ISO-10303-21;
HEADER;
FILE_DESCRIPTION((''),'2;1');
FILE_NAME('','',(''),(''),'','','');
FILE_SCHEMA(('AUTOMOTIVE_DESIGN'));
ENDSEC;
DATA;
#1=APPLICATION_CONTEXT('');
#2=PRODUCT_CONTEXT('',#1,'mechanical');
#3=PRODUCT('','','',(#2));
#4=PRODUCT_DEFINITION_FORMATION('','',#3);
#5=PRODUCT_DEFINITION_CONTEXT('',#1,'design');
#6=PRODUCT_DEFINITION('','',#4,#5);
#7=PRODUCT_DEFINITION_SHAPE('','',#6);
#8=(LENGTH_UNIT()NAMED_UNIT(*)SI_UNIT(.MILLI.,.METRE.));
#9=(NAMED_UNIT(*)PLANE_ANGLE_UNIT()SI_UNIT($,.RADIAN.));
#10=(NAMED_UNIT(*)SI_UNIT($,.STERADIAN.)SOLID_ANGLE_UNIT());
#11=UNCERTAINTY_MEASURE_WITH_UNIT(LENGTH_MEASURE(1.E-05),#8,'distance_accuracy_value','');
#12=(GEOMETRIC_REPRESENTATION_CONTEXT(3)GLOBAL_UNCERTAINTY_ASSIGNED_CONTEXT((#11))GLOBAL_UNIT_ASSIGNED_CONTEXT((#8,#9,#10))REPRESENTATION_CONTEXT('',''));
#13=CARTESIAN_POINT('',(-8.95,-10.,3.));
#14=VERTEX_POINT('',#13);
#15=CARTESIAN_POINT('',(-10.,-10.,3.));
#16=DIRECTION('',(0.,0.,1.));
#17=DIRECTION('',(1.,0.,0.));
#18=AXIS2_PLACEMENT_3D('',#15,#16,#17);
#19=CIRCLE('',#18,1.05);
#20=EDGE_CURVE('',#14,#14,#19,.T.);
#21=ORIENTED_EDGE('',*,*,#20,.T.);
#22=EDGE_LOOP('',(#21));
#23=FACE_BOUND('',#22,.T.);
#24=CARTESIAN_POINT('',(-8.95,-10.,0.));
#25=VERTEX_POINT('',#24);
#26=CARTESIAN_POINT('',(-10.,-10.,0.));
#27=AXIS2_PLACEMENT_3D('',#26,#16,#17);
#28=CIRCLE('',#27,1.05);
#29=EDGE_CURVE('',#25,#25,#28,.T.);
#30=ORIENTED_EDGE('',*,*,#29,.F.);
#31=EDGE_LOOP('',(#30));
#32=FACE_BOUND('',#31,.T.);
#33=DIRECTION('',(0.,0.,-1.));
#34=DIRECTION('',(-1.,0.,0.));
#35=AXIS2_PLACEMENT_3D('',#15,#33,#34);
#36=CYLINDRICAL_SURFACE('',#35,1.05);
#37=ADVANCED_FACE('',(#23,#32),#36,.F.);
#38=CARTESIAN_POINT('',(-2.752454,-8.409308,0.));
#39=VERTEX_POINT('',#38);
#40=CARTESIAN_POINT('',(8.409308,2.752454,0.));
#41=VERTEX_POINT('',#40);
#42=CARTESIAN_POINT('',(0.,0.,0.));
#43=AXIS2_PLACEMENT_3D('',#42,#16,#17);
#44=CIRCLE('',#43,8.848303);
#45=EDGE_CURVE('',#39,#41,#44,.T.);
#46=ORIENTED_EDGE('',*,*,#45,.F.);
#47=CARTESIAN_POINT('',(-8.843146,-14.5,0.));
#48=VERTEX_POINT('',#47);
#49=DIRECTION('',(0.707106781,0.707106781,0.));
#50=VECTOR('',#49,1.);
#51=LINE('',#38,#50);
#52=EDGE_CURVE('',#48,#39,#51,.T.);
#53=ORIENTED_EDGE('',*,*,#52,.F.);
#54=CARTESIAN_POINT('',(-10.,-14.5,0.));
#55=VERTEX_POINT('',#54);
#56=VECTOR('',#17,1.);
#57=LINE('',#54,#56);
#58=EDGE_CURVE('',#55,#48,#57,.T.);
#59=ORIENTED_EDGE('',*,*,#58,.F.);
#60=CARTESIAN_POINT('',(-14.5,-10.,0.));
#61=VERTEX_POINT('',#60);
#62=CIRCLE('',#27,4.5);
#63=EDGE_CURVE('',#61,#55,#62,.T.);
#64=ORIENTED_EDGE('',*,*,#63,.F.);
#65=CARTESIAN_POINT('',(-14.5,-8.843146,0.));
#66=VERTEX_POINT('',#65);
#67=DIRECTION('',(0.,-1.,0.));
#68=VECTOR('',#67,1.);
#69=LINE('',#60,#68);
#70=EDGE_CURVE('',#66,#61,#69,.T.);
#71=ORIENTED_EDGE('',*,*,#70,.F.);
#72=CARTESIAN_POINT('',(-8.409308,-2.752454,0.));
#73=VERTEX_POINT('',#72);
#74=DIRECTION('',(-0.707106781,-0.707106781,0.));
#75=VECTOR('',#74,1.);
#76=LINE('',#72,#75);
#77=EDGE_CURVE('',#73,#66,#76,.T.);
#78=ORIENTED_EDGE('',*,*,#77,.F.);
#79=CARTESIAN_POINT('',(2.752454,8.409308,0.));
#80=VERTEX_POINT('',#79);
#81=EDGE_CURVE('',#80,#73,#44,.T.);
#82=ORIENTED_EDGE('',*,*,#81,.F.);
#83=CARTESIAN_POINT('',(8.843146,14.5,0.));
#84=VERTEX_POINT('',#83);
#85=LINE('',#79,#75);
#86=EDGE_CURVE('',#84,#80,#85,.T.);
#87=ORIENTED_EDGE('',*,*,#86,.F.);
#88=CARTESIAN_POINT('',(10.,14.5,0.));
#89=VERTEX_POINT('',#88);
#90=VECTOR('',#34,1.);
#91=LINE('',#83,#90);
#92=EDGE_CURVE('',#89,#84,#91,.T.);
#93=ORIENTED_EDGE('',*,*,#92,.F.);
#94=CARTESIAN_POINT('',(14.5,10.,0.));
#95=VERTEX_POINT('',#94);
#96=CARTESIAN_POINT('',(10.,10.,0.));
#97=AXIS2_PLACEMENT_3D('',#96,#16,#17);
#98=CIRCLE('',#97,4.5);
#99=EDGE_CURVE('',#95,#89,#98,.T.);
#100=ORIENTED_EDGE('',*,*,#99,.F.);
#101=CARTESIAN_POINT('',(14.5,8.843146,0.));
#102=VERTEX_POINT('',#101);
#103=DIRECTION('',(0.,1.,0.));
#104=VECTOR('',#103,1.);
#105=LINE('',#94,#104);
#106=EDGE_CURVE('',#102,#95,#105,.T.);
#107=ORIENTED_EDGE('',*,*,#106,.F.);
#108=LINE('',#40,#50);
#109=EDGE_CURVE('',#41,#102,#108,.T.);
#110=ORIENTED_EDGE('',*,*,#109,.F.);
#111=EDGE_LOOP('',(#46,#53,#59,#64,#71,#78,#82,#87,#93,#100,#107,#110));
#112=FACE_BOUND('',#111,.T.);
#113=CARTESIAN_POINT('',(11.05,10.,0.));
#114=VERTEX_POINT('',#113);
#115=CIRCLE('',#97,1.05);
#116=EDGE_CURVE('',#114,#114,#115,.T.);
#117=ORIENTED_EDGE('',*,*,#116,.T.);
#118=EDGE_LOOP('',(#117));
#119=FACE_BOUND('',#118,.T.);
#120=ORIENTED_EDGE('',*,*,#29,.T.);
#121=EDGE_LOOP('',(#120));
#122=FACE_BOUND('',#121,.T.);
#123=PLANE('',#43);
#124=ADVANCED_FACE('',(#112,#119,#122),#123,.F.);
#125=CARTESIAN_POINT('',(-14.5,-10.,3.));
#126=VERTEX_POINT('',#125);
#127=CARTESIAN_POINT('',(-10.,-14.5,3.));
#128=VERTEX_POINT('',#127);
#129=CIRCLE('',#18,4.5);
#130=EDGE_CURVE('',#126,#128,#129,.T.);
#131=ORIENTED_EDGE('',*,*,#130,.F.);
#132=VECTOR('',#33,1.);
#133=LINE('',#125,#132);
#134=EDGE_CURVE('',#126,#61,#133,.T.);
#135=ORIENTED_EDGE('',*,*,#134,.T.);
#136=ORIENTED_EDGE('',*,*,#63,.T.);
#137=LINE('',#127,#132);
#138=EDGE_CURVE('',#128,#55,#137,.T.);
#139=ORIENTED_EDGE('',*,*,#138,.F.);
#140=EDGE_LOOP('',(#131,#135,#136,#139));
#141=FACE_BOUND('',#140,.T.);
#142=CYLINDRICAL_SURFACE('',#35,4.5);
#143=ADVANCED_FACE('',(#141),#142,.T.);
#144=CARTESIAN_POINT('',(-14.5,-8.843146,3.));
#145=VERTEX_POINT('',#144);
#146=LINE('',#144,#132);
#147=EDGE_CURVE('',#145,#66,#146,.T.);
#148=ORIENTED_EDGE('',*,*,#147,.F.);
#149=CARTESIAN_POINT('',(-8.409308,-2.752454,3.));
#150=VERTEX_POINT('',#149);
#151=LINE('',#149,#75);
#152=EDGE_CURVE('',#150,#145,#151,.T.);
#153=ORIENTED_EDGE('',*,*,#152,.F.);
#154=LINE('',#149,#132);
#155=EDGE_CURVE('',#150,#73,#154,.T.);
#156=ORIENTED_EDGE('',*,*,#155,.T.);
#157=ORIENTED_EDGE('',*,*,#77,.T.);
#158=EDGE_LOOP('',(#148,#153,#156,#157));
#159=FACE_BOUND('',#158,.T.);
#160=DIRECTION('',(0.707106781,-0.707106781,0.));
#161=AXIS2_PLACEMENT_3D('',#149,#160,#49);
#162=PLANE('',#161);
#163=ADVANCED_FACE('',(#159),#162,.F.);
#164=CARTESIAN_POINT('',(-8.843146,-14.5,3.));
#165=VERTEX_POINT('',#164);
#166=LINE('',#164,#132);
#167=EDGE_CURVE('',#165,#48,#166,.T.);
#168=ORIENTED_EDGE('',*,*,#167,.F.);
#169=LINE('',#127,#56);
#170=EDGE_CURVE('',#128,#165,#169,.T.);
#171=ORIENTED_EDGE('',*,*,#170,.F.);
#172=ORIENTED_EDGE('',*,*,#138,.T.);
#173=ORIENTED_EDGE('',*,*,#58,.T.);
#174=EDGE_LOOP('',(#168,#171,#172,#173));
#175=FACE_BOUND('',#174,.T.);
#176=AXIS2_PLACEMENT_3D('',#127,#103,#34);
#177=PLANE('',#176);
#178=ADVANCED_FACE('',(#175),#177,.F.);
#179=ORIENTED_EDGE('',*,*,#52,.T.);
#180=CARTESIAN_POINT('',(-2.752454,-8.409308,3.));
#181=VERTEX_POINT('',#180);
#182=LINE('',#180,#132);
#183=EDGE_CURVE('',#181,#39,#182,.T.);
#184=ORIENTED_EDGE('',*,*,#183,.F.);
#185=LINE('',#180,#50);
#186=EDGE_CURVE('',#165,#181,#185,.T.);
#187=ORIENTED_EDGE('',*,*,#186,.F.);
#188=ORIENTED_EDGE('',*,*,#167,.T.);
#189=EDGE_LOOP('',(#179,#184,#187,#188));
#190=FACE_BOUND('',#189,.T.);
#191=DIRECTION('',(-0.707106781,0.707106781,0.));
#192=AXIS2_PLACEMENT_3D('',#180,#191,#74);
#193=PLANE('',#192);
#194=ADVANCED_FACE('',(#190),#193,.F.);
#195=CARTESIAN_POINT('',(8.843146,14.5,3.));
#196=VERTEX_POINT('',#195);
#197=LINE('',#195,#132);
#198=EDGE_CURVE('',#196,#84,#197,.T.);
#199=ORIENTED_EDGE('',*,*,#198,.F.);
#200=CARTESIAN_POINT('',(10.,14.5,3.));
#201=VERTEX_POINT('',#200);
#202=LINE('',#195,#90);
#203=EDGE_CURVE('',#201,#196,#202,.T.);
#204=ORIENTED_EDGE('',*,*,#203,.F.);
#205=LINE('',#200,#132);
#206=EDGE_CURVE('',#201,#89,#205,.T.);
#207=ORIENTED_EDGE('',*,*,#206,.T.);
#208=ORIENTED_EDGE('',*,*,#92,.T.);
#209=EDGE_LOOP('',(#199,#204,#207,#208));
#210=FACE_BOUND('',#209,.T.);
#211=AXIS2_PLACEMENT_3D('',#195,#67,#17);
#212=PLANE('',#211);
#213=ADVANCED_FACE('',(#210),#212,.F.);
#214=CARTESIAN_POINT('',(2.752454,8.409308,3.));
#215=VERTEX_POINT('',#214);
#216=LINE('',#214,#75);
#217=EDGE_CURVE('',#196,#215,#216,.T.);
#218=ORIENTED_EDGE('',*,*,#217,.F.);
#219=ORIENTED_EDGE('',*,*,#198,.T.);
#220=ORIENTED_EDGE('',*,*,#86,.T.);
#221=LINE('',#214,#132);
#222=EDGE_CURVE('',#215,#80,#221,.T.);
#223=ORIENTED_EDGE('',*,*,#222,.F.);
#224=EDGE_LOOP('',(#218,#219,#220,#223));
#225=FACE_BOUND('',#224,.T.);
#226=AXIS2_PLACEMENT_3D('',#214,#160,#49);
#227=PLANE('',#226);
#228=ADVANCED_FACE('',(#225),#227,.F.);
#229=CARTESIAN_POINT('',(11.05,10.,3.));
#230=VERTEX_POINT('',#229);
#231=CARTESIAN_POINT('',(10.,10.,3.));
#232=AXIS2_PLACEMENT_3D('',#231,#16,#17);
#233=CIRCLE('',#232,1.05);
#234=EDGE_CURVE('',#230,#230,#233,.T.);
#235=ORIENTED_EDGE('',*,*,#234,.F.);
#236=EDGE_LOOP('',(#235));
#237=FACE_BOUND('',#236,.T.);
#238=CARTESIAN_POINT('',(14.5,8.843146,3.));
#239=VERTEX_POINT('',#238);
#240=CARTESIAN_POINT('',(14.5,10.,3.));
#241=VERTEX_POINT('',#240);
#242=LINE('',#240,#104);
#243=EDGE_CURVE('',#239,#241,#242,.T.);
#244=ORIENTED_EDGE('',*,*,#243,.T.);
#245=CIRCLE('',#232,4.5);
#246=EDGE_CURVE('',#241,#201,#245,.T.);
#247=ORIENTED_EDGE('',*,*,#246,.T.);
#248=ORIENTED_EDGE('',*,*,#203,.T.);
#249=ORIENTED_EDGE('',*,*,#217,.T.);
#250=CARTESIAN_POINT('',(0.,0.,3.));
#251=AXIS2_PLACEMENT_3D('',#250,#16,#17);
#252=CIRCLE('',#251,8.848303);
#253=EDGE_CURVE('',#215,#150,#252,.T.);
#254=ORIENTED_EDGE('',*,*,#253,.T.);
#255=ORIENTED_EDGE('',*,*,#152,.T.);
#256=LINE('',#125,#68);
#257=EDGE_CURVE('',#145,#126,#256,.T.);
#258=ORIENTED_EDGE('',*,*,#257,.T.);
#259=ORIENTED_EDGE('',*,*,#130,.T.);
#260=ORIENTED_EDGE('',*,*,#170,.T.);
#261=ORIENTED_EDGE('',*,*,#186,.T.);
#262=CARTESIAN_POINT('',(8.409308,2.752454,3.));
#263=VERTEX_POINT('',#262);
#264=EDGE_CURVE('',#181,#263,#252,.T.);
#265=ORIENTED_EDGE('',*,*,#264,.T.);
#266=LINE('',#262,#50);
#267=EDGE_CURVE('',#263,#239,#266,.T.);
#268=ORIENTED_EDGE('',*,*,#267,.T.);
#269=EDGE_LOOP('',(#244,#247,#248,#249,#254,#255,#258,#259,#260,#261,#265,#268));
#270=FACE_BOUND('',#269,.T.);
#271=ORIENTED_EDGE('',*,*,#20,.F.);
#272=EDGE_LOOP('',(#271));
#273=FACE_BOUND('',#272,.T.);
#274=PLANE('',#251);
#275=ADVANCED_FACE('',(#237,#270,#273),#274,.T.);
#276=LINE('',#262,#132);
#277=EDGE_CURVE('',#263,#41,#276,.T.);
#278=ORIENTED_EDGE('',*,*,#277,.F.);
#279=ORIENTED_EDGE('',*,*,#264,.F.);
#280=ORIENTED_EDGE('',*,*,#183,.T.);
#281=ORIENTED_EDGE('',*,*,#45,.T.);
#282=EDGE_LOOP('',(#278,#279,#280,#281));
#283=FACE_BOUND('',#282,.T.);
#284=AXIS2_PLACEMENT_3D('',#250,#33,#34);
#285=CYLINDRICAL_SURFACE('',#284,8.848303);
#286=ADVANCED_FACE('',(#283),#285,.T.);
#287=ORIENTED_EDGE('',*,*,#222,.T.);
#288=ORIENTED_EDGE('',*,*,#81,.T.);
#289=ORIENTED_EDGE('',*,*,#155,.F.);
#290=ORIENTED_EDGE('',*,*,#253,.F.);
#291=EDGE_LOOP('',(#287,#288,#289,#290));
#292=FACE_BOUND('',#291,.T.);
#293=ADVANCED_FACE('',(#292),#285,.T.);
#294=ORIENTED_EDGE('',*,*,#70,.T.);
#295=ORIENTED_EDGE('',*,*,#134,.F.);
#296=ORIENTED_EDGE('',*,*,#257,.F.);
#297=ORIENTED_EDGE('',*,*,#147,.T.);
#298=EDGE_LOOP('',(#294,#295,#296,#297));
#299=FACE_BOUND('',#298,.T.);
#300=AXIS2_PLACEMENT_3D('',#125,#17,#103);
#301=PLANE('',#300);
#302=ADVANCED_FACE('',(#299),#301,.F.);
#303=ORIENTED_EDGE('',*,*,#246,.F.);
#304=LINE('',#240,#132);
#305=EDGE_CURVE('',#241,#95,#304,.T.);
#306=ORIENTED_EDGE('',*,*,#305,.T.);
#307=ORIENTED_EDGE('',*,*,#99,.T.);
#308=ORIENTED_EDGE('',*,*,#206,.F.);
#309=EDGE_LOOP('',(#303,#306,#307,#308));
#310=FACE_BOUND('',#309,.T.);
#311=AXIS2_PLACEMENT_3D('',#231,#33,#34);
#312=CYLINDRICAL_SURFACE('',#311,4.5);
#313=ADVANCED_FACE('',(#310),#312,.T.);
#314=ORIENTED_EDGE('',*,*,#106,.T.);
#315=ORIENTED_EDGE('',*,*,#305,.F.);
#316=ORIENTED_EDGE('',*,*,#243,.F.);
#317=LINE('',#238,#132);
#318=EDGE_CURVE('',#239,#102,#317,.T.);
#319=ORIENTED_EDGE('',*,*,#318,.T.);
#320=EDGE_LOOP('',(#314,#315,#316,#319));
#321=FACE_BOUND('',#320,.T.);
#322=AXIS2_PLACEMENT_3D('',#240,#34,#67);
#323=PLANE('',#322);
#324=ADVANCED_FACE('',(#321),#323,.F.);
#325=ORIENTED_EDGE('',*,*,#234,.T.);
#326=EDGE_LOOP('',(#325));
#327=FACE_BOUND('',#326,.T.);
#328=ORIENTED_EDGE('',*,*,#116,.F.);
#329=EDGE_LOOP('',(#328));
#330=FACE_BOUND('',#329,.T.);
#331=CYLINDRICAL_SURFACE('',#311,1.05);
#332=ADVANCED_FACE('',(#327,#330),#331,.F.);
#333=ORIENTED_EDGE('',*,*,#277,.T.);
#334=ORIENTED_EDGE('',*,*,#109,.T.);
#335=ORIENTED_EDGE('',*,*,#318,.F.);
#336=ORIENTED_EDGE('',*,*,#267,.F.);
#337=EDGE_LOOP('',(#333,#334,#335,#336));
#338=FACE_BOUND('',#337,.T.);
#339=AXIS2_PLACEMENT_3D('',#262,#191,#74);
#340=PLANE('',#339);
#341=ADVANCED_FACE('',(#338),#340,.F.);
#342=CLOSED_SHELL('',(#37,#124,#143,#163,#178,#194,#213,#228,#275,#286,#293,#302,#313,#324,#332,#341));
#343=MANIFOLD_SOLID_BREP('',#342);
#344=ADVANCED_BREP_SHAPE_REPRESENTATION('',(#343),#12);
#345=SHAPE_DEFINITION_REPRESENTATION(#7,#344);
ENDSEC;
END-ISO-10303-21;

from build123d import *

# Parameters (mm, degrees)
SKETCH1_R           = 1.05
BOSS_EXTRUDE1_DEPTH = 3


with BuildPart() as part:
    # Sketch1 → Boss-Extrude1 (new body)
    with BuildSketch(Plane.XY):
        with BuildLine():
            Line((2.752454122, 8.409308372), (8.843145751, 14.5))
            Line((8.843145751, 14.5), (10, 14.5))
            ThreePointArc((10, 14.5), (13.181980515, 13.181980515), (14.5, 10))
            Line((14.5, 10), (14.5, 8.843145751))
            Line((14.5, 8.843145751), (8.409308372, 2.752454122))
            ThreePointArc((8.409308372, 2.752454122), (6.256695253, -6.256695253), (-2.752454122, -8.409308372))
            Line((-2.752454122, -8.409308372), (-8.843145751, -14.5))
            Line((-8.843145751, -14.5), (-10, -14.5))
            ThreePointArc((-10, -14.5), (-13.181980515, -13.181980515), (-14.5, -10))
            Line((-14.5, -10), (-14.5, -8.843145751))
            Line((-14.5, -8.843145751), (-8.409308372, -2.752454122))
            ThreePointArc((-8.409308372, -2.752454122), (-6.256695253, 6.256695253), (2.752454122, 8.409308372))
        make_face()
        with Locations((10, 10)):
            Circle(SKETCH1_R, mode=Mode.SUBTRACT)
        with Locations((-10, -10)):
            Circle(SKETCH1_R, mode=Mode.SUBTRACT)
    extrude(amount=BOSS_EXTRUDE1_DEPTH)


solid = part.part
